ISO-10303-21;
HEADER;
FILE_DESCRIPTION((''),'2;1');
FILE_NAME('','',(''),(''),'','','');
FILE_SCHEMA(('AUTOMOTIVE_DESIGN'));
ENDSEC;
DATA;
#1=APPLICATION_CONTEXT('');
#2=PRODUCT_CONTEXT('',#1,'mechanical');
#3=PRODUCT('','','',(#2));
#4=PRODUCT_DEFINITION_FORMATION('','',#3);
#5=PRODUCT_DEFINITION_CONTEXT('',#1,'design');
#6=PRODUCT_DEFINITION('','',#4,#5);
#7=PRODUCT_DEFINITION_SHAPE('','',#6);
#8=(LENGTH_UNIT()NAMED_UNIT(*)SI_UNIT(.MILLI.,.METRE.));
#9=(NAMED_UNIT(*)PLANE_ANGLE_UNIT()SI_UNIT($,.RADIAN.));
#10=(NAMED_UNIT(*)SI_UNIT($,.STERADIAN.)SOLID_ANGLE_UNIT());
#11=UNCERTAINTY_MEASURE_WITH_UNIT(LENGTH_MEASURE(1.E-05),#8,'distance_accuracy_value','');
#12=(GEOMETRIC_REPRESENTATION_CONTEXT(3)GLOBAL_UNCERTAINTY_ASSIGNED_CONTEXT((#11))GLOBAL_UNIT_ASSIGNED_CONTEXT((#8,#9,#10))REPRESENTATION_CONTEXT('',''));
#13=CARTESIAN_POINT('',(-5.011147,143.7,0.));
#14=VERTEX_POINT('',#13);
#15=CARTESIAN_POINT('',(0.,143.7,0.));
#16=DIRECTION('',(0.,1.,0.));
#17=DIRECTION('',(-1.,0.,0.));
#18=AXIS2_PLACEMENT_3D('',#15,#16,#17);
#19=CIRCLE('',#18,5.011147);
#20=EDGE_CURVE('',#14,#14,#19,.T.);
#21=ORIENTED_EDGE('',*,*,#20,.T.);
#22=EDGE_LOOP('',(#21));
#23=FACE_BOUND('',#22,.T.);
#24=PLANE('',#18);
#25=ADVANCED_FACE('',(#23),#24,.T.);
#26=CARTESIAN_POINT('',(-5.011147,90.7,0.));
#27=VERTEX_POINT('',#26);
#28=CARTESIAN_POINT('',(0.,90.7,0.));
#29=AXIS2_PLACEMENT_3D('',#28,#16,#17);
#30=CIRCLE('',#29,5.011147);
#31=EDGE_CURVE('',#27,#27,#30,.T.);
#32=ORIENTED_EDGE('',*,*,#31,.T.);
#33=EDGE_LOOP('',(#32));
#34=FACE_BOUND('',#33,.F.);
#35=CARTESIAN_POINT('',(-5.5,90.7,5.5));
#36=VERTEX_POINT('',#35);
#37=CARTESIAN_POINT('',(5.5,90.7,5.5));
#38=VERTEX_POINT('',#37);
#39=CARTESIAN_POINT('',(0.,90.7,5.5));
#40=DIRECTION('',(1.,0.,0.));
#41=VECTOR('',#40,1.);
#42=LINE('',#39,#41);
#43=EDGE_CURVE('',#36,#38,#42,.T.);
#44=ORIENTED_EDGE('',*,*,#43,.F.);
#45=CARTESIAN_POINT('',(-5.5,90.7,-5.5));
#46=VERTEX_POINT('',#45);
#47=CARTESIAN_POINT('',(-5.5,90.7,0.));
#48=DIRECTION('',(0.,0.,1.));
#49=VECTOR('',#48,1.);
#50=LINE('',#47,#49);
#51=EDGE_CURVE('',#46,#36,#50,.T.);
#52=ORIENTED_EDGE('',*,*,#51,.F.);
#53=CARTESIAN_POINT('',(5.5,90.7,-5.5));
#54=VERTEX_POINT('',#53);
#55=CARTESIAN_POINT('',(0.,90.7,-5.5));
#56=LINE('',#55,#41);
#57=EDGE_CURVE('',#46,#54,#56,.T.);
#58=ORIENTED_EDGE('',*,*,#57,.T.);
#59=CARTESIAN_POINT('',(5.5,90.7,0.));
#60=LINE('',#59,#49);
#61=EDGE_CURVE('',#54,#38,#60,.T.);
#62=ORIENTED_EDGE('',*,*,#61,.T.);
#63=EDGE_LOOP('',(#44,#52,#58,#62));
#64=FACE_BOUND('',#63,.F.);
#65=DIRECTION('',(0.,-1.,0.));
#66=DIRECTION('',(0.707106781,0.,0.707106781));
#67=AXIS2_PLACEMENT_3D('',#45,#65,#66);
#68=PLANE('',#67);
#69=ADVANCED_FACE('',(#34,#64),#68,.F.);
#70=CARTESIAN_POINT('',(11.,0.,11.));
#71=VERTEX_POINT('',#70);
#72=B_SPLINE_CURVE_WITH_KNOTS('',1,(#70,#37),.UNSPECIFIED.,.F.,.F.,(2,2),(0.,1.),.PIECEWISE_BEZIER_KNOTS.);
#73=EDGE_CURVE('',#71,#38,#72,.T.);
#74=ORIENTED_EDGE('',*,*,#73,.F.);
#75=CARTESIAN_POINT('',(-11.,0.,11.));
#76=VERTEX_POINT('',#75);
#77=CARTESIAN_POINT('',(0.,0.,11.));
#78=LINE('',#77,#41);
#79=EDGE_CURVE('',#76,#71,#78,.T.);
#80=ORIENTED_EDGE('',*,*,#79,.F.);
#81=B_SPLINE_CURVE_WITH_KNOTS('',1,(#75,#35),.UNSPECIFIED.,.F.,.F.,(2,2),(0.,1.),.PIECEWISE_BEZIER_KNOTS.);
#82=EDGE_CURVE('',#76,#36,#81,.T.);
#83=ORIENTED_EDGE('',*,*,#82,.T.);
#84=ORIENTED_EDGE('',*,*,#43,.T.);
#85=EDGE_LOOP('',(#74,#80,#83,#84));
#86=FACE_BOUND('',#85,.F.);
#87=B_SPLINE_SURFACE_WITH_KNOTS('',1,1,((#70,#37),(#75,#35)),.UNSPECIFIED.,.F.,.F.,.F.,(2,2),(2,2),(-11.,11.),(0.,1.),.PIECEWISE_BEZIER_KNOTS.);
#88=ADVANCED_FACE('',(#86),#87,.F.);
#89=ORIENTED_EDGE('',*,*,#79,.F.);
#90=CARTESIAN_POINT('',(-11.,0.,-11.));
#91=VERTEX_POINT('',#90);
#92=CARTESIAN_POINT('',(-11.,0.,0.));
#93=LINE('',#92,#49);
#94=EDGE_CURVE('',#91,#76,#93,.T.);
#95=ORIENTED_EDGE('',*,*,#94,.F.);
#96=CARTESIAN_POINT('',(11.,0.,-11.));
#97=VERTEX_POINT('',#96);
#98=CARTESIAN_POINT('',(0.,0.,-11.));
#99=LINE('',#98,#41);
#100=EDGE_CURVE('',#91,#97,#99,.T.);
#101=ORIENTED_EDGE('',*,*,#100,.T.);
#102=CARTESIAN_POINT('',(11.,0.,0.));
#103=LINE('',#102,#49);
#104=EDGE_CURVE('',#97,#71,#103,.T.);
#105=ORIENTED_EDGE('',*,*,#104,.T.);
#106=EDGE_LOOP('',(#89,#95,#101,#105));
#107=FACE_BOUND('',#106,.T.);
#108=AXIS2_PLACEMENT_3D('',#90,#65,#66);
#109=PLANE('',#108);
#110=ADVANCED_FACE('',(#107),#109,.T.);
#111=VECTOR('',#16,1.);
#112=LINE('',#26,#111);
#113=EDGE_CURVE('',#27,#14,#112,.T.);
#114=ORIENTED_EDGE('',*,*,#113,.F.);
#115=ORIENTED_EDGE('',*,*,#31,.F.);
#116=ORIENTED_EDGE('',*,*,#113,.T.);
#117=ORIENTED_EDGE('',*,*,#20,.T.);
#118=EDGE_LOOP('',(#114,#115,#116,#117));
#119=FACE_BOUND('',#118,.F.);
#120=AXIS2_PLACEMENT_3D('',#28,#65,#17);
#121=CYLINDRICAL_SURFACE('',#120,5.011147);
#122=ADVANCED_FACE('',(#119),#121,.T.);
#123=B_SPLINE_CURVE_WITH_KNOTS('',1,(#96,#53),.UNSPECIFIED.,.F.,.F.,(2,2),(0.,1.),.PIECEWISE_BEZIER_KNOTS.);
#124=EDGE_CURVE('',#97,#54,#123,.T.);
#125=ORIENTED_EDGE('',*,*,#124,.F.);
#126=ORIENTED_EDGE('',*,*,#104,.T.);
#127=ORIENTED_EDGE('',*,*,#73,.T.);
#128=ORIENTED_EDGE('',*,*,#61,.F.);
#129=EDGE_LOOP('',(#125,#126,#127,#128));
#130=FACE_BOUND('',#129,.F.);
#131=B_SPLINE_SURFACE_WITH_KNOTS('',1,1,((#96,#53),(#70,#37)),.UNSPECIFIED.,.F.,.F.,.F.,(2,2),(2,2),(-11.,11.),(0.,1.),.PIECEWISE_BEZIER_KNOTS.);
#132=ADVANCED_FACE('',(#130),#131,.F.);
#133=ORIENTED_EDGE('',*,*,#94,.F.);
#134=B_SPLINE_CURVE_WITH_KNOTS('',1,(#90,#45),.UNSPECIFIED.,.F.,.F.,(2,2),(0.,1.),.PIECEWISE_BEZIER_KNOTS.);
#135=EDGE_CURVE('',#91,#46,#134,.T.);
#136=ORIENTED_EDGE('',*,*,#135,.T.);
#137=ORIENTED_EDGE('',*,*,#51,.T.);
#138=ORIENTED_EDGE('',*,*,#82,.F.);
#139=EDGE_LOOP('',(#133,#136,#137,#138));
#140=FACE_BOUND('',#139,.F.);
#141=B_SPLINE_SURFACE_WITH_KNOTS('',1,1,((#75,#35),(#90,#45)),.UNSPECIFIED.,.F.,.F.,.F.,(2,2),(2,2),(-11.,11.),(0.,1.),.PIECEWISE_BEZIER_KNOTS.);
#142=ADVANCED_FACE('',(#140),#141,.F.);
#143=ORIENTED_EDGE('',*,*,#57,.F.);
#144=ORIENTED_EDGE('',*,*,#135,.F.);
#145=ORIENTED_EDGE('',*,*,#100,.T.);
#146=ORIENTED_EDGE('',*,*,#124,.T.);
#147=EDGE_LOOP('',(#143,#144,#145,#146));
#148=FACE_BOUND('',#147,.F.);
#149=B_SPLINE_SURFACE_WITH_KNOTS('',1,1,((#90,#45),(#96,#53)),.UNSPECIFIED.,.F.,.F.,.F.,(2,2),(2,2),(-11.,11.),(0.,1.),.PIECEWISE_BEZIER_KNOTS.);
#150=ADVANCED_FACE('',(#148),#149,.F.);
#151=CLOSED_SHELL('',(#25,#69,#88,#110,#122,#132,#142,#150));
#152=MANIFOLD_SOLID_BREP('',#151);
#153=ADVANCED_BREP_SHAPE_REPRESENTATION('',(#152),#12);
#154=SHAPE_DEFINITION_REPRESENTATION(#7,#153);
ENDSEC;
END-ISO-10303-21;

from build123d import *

# Parameters (mm, degrees)
F0_W     = 22
F0_H     = 22
F2_W     = 11
F2_H     = 11
F4_R     = 5.011147
F5_DEPTH = 53


with BuildPart() as f3:
    # F0 (on Front) → F3 section 0
    with BuildSketch(Plane.XZ):
        Rectangle(F0_W, F0_H)
    # F2 (on offset) → F3 section 1
    with BuildSketch(Plane.XZ.offset(-90.7)):
        Rectangle(F2_W, F2_H)
    loft()

    # F4 (on face) → F5 (join)
    with BuildSketch(Plane(origin=(0, 90.7, 0), x_dir=(-1, 0, 0), z_dir=(0, 1, 0))):
        Circle(F4_R)
    extrude(amount=F5_DEPTH)


solid = f3.part
